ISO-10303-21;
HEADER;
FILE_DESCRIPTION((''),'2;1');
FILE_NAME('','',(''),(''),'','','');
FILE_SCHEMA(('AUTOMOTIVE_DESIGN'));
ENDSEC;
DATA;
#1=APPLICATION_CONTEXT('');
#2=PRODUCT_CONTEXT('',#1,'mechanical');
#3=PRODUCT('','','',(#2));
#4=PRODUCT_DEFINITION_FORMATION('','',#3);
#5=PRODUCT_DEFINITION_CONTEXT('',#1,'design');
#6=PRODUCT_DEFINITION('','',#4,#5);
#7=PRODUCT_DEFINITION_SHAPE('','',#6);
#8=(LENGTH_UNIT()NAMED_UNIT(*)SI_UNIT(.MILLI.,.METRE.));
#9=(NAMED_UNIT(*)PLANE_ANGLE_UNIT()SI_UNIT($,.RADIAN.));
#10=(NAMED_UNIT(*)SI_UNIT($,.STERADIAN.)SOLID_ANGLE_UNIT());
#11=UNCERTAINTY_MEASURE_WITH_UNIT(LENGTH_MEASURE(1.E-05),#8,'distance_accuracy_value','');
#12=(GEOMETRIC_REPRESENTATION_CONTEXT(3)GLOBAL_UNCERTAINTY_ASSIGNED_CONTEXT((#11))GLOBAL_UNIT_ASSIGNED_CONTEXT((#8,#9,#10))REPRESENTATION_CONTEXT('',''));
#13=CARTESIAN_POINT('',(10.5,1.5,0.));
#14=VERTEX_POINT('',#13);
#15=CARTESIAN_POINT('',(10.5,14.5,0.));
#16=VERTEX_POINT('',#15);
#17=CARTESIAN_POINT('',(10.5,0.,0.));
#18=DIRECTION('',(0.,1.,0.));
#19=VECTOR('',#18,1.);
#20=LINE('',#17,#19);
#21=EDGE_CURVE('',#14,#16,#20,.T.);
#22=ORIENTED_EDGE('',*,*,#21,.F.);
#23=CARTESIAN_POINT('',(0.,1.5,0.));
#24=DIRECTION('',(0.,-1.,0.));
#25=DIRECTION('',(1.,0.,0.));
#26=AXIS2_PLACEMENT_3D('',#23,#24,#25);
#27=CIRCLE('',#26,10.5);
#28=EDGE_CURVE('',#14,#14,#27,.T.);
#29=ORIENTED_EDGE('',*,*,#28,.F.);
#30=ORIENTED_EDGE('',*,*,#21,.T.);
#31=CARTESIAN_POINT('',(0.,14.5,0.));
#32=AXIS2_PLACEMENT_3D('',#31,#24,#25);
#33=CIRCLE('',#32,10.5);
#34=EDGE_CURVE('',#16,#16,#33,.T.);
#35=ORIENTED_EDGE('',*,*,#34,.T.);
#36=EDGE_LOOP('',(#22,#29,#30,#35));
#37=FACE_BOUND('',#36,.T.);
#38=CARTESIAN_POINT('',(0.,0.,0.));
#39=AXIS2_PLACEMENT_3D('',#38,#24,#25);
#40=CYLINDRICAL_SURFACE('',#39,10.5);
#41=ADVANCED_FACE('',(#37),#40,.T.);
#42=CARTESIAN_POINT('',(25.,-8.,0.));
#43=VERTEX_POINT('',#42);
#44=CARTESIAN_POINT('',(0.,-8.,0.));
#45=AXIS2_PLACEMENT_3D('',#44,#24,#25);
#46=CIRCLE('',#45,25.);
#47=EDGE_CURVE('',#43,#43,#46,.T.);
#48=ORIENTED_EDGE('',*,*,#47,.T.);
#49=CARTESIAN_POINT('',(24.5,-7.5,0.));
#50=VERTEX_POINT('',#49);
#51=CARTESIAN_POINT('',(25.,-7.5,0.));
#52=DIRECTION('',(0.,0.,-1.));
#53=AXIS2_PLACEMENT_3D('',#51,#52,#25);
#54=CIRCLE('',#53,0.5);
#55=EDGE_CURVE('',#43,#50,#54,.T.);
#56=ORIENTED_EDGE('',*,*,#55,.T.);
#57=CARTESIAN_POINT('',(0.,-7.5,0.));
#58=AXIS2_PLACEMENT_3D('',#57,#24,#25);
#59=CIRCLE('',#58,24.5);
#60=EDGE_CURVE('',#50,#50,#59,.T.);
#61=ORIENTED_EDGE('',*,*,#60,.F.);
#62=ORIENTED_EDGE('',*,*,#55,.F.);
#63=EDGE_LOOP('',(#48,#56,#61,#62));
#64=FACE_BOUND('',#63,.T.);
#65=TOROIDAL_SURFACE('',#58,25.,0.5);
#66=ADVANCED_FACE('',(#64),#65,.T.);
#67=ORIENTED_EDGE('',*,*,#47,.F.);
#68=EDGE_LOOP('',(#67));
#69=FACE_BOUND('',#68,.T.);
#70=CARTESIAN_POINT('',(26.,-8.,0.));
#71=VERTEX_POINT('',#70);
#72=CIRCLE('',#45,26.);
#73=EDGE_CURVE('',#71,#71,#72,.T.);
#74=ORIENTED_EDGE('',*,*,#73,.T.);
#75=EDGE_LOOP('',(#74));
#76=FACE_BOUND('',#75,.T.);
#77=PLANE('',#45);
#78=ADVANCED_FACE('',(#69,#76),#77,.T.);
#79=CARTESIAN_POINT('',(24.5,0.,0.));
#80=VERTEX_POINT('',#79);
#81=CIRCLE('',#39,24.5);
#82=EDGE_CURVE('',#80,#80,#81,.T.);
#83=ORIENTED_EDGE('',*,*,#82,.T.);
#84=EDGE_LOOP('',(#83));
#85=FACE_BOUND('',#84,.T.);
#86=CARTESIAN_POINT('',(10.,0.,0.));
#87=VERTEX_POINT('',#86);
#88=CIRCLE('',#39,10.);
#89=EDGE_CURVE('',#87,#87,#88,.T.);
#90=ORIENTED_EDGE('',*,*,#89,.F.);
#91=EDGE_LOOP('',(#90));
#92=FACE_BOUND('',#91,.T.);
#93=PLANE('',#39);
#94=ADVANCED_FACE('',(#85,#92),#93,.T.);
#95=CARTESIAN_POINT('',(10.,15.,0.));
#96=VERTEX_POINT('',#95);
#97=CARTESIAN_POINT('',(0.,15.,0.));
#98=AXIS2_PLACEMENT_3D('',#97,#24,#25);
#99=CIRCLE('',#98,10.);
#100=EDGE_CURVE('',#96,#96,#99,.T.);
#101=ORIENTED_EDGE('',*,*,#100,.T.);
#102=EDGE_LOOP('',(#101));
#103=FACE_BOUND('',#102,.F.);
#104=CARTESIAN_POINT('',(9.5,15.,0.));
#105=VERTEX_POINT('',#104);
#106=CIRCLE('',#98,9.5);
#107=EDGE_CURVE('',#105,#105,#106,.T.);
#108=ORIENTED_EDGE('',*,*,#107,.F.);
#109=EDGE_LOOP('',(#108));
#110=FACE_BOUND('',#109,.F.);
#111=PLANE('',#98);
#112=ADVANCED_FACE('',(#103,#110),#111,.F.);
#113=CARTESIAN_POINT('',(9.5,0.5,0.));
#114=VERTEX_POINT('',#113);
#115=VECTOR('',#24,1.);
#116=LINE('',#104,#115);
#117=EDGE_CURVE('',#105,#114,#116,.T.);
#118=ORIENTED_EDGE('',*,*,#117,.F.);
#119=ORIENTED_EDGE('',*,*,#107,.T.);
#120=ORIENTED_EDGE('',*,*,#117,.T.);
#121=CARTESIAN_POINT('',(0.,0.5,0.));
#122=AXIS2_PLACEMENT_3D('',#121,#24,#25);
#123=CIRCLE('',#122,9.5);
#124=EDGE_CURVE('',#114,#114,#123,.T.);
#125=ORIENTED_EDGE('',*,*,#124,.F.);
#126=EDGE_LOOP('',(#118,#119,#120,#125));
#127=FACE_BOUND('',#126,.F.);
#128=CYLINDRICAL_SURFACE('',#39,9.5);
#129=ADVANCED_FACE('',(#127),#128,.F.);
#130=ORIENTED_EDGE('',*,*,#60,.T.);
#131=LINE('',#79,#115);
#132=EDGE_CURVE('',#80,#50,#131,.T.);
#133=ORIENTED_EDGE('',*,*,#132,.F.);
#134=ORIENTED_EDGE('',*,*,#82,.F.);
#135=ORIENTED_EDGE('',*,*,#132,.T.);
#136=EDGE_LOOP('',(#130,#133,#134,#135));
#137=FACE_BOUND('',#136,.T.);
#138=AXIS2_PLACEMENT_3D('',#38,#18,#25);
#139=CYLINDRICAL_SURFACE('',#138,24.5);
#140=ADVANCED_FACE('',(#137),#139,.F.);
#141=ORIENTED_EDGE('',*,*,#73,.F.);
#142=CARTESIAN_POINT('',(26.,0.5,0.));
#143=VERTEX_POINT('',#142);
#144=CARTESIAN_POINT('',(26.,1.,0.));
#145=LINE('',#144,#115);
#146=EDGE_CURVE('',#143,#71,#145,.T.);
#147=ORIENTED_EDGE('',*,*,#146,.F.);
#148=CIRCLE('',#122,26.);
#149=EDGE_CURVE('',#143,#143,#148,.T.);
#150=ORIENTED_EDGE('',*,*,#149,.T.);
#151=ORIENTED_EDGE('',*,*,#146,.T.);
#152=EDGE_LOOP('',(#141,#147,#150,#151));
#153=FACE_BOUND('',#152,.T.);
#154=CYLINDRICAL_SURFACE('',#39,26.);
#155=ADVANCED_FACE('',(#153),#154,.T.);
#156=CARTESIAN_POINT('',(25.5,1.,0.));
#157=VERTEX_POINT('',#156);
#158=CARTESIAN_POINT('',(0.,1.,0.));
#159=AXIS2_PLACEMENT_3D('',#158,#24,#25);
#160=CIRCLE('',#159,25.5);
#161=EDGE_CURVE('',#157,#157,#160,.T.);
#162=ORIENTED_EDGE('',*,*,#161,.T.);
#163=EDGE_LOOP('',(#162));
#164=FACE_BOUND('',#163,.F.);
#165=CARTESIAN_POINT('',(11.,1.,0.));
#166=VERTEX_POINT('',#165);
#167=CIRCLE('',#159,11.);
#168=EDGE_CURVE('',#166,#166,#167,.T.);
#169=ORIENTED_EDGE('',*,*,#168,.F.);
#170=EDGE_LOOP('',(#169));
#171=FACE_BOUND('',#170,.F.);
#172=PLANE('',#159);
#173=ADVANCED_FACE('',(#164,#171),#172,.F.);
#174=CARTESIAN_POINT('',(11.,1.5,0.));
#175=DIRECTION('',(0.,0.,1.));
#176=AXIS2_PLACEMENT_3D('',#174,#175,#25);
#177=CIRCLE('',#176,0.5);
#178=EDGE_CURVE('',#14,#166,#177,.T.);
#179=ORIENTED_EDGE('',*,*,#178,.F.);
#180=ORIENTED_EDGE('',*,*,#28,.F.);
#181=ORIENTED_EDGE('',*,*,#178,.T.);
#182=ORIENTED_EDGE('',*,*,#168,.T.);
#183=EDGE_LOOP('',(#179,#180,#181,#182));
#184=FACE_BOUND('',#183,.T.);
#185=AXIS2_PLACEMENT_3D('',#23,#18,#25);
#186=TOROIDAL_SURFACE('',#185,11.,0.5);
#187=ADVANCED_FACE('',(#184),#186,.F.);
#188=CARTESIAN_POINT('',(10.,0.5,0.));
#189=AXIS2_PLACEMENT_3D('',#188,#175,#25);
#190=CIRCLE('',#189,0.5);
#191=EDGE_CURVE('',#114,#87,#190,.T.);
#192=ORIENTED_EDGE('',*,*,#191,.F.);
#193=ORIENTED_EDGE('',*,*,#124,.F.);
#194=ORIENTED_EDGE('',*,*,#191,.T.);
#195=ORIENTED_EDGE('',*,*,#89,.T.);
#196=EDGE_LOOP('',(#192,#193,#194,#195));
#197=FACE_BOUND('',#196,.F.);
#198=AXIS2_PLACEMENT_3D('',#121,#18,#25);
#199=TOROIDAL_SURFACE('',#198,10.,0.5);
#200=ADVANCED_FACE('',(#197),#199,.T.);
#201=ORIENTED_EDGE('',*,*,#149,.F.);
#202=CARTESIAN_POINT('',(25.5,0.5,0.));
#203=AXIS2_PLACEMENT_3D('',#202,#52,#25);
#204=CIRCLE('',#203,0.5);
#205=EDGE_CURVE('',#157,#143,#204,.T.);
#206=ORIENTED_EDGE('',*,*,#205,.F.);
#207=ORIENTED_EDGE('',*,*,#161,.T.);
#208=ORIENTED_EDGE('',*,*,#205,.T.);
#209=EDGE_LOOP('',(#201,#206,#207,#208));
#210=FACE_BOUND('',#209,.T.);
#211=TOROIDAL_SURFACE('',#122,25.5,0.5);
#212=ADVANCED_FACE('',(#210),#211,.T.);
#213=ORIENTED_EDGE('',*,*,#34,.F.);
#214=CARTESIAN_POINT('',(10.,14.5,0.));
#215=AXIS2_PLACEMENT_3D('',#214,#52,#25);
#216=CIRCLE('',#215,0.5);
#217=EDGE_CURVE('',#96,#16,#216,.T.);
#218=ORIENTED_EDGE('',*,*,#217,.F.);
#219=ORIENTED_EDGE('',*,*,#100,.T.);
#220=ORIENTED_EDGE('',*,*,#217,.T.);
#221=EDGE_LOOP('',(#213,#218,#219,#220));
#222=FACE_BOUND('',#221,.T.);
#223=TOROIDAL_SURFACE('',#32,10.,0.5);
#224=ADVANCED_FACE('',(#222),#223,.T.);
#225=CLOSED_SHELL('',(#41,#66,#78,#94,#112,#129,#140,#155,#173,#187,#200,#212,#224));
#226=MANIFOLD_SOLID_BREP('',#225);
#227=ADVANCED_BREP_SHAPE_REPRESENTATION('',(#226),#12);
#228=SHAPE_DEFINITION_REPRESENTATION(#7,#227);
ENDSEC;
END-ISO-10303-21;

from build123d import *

# Parameters (mm, degrees)
F0_R     = 26
F0_R_2   = 24.5
F1_DEPTH = 8
F2_R     = 26
F2_R_2   = 9.5
F3_DEPTH = 1
F4_R     = 10.5
F4_R_2   = 9.5
F5_DEPTH = 15
F6_R     = 0.5


with BuildPart() as f1:
    # F0 (on Front) → F1 (new body)
    with BuildSketch(Plane.XZ):
        Circle(F0_R)
        Circle(F0_R_2, mode=Mode.SUBTRACT)
    extrude(amount=F1_DEPTH)

    # F2 (on Front) → F3 (join)
    with BuildSketch(Plane.XZ):
        Circle(F2_R)
        Circle(F2_R_2, mode=Mode.SUBTRACT)
    extrude(amount=-F3_DEPTH)

    # F4 (on Front) → F5 (join)
    with BuildSketch(Plane.XZ):
        Circle(F4_R)
        Circle(F4_R_2, mode=Mode.SUBTRACT)
    extrude(amount=-F5_DEPTH)

    # F6
    f6_edges = [f1.edges().sort_by_distance(p)[0] for p in [
        (-26, 1, 0),
        (-10.5, 1, 0),
        (-10.5, 15, 0),
        (-24.5, -8, 0),
        (-9.5, 0, 0),
    ]]
    fillet(f6_edges, radius=F6_R)


solid = f1.part
